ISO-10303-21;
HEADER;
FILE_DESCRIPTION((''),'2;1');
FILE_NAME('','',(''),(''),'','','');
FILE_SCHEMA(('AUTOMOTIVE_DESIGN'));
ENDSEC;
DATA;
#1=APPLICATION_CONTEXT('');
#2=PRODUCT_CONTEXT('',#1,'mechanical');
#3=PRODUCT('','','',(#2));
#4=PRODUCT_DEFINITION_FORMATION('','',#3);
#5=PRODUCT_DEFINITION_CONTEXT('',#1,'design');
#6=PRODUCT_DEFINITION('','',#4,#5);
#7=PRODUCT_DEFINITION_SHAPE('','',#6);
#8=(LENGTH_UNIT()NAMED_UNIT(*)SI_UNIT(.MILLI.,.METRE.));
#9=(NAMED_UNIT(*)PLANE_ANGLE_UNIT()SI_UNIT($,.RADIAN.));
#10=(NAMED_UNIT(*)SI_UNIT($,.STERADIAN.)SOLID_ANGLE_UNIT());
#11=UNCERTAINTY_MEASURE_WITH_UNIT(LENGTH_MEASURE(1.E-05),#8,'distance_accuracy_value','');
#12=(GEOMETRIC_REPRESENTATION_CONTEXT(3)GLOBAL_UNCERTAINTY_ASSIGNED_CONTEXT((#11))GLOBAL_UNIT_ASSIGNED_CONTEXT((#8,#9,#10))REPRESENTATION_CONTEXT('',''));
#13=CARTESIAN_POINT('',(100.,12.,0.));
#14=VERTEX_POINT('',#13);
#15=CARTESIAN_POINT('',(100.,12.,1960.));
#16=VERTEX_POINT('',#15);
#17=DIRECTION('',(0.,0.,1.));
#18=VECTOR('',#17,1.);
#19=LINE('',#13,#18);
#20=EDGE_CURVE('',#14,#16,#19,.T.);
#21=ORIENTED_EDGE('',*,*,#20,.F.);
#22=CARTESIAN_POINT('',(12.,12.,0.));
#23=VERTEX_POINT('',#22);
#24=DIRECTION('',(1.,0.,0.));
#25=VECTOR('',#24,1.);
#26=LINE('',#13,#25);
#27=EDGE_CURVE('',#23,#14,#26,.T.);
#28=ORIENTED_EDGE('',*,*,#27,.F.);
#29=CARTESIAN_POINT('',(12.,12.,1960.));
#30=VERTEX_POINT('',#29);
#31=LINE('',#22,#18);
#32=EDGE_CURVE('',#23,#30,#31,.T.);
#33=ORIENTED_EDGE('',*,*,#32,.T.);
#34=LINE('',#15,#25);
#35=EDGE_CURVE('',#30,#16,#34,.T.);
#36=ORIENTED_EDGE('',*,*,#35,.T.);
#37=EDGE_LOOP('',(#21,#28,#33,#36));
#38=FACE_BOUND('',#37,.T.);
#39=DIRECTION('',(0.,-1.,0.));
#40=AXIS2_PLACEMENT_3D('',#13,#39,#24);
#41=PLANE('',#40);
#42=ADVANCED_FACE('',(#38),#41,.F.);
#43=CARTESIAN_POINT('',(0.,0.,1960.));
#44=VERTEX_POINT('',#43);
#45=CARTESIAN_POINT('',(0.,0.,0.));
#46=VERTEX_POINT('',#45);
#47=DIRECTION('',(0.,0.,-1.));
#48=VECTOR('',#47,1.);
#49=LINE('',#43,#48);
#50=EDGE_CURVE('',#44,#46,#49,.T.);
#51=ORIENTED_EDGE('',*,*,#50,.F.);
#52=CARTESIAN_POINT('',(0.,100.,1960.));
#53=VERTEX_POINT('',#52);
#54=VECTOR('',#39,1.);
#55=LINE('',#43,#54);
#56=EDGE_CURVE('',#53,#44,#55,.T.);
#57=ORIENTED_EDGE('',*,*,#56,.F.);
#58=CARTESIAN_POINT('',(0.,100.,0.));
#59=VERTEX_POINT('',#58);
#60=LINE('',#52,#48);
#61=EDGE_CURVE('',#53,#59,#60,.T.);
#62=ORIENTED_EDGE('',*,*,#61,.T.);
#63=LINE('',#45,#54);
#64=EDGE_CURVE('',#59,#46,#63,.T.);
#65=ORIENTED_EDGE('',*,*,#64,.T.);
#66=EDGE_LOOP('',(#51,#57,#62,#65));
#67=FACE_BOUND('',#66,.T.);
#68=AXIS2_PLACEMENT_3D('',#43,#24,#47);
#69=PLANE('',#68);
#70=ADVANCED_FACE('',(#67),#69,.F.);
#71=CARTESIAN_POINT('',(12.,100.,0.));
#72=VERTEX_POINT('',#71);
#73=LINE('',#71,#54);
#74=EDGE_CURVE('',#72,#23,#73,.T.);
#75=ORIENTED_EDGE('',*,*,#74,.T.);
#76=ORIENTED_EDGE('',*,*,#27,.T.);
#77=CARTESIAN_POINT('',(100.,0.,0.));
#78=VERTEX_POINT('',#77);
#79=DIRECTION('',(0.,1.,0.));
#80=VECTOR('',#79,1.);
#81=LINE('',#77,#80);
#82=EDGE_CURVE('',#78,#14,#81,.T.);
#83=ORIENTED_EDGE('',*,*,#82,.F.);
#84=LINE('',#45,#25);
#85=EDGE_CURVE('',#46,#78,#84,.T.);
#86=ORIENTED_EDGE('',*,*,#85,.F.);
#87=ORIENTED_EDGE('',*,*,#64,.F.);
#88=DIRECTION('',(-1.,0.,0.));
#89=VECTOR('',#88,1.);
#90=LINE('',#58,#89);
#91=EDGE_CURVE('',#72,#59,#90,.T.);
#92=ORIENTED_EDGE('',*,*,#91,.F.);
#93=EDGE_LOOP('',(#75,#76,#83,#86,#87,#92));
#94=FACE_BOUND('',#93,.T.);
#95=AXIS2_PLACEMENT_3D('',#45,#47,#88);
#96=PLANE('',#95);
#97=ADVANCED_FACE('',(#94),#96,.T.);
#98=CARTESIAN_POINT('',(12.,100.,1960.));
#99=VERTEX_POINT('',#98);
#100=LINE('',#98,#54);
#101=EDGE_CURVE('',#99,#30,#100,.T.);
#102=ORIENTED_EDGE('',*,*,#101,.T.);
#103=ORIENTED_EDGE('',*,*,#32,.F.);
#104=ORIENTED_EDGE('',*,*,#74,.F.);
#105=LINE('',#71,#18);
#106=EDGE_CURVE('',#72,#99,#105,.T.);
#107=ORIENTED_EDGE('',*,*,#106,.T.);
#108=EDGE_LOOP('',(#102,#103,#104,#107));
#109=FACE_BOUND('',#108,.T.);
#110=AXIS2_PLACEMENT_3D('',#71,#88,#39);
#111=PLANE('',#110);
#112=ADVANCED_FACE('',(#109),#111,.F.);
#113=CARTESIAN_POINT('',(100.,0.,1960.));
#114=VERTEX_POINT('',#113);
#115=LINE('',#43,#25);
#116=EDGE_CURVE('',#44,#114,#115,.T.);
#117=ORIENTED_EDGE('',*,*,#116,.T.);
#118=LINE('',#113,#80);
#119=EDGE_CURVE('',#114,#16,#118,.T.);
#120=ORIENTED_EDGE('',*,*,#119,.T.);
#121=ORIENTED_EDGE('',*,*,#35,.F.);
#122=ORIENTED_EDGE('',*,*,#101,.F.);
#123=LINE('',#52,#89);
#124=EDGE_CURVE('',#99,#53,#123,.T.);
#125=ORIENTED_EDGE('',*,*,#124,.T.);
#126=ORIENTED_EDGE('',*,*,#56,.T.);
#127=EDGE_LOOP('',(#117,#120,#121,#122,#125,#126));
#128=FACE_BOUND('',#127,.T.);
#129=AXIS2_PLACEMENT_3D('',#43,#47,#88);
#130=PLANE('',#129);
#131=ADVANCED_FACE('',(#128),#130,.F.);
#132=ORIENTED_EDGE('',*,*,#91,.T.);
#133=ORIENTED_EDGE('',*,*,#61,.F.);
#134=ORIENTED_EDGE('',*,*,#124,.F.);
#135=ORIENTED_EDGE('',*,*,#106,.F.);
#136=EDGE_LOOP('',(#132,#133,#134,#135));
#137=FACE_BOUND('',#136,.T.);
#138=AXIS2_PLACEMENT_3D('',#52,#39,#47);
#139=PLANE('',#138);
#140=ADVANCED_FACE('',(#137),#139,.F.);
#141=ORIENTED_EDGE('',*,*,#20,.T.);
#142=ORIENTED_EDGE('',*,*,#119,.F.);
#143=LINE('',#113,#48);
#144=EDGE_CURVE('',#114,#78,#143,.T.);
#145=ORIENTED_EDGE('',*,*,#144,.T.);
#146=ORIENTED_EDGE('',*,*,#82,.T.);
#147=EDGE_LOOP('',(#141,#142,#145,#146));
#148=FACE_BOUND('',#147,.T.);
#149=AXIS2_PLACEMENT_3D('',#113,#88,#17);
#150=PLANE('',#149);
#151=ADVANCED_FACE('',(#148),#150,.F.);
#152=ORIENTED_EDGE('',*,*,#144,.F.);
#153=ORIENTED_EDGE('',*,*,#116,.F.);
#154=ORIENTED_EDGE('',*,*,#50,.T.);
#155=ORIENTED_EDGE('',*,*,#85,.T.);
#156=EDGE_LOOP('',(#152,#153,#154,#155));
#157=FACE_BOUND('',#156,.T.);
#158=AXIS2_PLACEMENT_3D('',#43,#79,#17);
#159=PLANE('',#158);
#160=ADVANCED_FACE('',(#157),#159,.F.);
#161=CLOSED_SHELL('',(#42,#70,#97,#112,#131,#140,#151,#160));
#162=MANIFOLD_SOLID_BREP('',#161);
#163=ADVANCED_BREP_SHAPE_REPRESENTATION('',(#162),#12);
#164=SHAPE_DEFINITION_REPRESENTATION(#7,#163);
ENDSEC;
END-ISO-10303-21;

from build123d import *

# Parameters (mm, degrees)
SKETCH_1_W          = 100
SKETCH_1_H          = 100
EXTRUDE_1_DEPTH     = 1960
SKETCH_2_W          = 88
SKETCH_2_H          = 88
CUT_EXTRUDE_1_DEPTH = 1966.095417531


with BuildPart() as part:
    # 草图1 → 凸台-拉伸1 (new body)
    with BuildSketch(Plane.XY):
        with Locations((50, 50)):
            Rectangle(SKETCH_1_W, SKETCH_1_H)
    extrude(amount=EXTRUDE_1_DEPTH)

    # 草图2 → 切除-拉伸1 (cut, through all)
    with BuildSketch(Plane.XY.offset(1960)):
        with Locations((56, 56)):
            Rectangle(SKETCH_2_W, SKETCH_2_H)
    extrude(amount=-CUT_EXTRUDE_1_DEPTH, mode=Mode.SUBTRACT)


solid = part.part
